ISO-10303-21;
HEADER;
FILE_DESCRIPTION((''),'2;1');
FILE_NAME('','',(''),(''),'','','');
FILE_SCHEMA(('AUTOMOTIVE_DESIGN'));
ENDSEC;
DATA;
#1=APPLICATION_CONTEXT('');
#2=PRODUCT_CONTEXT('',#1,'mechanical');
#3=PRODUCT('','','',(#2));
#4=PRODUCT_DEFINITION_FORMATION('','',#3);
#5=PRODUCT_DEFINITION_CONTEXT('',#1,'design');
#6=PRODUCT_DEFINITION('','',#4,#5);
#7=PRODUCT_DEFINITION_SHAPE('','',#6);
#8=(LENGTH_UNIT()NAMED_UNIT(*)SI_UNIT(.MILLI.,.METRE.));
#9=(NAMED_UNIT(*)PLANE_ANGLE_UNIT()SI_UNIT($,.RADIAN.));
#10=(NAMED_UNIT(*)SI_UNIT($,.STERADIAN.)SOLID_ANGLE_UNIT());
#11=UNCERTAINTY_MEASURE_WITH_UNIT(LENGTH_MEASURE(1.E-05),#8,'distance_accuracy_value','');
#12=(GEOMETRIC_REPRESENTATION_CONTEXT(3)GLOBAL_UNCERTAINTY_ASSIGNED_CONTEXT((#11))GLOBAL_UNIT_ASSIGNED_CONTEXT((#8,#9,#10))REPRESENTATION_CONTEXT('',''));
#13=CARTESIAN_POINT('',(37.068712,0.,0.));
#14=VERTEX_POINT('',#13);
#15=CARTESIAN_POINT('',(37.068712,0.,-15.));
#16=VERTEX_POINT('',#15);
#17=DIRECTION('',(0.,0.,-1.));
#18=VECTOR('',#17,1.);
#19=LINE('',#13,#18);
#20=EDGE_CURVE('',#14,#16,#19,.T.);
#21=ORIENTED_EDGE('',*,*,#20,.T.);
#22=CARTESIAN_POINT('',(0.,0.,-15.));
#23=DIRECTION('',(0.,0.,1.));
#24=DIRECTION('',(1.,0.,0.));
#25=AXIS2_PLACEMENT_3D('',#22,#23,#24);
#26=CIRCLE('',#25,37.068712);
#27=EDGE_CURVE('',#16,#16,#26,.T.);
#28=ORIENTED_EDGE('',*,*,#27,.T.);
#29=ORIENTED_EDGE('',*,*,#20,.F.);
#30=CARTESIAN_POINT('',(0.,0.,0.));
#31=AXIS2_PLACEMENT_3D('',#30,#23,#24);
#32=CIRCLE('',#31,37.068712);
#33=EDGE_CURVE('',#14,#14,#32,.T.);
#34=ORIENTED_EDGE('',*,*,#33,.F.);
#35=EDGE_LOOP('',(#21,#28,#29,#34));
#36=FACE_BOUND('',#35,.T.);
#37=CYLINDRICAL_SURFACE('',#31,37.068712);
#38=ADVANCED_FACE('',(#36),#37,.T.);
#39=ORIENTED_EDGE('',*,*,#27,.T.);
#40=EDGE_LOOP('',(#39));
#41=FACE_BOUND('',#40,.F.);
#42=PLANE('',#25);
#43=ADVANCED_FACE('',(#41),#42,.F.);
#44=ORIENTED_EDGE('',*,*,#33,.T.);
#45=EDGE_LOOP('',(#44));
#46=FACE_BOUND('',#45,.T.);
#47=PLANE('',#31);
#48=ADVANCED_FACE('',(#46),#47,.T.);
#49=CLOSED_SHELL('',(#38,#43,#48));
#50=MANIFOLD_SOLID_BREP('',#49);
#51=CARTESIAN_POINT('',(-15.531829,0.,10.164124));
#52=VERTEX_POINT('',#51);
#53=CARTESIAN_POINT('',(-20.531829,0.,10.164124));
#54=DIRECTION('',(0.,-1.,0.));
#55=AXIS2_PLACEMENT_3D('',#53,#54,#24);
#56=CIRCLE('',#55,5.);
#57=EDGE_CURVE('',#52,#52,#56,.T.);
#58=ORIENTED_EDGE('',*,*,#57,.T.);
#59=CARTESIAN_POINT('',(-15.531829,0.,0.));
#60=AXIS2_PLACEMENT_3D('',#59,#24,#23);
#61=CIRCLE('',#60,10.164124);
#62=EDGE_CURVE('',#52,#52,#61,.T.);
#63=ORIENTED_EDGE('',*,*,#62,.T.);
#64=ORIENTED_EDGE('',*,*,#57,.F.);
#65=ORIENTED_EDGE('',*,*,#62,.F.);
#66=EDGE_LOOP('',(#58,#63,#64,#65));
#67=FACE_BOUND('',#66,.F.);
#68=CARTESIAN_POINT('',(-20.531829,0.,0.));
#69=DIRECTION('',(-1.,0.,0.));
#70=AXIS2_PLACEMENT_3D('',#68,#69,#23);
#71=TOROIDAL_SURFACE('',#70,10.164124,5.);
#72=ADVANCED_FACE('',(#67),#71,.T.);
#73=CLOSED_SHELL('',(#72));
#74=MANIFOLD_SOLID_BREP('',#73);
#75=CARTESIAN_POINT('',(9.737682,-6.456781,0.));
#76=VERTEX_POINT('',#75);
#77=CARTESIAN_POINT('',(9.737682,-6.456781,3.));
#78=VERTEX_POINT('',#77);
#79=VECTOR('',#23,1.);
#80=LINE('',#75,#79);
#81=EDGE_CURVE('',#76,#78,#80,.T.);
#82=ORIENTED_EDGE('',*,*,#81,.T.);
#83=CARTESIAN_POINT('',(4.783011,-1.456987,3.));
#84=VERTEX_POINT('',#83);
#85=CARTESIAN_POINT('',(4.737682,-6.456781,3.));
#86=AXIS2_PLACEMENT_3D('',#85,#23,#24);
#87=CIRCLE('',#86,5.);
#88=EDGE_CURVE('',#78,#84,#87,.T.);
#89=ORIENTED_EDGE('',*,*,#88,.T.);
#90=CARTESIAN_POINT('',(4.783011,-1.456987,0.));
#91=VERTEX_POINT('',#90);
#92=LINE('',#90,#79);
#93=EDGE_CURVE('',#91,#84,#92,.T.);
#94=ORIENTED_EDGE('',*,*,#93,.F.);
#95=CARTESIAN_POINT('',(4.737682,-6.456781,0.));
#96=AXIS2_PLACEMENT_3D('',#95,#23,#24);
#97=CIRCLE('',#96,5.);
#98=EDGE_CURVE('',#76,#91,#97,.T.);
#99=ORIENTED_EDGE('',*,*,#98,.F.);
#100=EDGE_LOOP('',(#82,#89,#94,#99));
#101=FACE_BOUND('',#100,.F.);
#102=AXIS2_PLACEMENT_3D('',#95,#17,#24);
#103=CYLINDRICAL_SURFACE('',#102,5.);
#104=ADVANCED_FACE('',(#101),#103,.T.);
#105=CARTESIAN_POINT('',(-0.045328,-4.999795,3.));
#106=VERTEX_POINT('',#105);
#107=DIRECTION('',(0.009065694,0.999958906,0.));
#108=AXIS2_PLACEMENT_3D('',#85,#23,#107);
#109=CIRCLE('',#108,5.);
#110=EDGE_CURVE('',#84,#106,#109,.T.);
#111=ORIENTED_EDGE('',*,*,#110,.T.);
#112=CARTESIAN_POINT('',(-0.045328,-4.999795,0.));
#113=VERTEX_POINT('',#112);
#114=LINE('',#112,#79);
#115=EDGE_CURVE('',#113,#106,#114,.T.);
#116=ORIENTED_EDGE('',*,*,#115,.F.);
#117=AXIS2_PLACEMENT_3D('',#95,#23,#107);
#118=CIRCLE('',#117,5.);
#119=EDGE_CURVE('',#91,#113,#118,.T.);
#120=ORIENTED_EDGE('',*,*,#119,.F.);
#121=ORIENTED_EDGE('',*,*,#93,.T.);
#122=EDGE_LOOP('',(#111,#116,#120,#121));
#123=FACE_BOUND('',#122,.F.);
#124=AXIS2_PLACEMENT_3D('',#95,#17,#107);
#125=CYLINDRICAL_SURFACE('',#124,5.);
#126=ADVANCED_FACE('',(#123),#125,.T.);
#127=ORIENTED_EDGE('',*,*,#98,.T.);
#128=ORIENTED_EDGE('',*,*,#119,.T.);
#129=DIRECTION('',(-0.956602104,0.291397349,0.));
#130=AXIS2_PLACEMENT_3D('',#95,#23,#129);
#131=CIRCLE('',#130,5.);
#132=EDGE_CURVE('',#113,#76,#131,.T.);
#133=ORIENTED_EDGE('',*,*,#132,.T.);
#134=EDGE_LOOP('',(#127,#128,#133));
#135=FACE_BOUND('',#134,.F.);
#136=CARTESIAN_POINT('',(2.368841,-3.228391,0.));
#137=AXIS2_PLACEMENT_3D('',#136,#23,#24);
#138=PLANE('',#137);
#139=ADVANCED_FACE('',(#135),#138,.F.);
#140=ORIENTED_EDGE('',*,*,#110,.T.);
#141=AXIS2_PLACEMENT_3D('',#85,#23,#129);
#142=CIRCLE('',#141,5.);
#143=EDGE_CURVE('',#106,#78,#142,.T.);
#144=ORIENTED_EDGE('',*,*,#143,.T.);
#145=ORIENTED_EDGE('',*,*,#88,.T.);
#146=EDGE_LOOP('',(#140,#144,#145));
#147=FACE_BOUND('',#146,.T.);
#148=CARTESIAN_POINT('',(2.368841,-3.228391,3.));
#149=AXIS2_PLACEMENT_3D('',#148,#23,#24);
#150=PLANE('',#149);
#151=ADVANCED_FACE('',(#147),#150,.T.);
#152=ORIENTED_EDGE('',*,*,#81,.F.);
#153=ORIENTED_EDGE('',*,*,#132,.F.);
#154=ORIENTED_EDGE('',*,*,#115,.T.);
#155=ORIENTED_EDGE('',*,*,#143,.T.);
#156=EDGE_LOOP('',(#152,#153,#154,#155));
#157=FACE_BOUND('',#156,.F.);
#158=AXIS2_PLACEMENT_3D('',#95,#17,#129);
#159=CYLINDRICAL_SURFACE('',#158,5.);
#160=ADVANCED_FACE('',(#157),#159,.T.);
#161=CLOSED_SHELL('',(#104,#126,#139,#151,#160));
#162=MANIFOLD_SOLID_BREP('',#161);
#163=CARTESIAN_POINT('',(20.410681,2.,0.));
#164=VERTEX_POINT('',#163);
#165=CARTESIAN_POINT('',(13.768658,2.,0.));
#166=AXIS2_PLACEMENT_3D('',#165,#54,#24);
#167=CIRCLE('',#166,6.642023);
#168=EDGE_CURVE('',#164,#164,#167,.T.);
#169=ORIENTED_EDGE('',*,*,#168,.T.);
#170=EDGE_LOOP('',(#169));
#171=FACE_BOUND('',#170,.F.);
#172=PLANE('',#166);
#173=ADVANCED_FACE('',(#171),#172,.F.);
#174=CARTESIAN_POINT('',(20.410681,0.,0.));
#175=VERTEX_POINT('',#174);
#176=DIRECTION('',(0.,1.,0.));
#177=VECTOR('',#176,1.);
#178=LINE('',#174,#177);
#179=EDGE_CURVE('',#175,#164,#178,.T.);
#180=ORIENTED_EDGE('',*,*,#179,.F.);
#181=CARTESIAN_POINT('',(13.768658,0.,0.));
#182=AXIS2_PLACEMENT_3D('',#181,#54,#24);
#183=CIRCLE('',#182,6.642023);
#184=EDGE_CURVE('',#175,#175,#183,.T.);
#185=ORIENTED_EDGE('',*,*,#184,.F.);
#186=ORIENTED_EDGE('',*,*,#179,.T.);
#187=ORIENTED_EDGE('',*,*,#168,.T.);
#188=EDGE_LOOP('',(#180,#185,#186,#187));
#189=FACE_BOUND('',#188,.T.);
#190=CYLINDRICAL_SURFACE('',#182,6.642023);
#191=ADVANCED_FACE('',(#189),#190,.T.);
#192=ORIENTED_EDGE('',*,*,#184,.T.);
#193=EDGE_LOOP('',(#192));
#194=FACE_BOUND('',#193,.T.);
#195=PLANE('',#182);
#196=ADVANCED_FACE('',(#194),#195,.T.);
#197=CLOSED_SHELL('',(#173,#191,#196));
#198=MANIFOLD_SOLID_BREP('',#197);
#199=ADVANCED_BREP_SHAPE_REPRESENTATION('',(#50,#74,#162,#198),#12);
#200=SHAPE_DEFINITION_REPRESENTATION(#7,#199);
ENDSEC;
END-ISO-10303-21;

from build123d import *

# Parameters (mm, degrees)
F0_R     = 5
F3_DEPTH = 3
F5_R     = 6.6420227727
F6_DEPTH = 2
F4_R     = 37.0687121763
F7_DEPTH = 15


with BuildPart() as f1:
    # F0 (on Front) → F1 (revolve)
    with BuildSketch(Plane.XZ):
        with Locations((-20.5318288077, 10.1641240577)):
            Circle(F0_R)
    revolve(axis=Axis((-18.9214901471, 0, 0), (1, 0, 0)))


with BuildPart() as f3:
    # F2 (on Top) → F3 (new body)
    with BuildSketch(Plane.XY):
        with BuildLine():
            ThreePointArc((4.7830105194, -1.4569867436), (1.7797639387, -2.4255630386), (-0.0453284697, -4.9997945288))
            ThreePointArc((-0.0453284697, -4.9997945288), (2.9579181111, -4.0312182338), (4.7830105194, -1.4569867436))
        make_face()
        with BuildLine():
            ThreePointArc((4.7830105194, -1.4569867436), (2.9579181111, -4.0312182338), (-0.0453284697, -4.9997945288))
            ThreePointArc((-0.0453284697, -4.9997945288), (4.0011539095, -11.4022363877), (9.7376820497, -6.4567812723))
            ThreePointArc((9.7376820497, -6.4567812723), (8.2892058318, -2.9373098879), (4.7830105194, -1.4569867436))
        make_face()
    extrude(amount=F3_DEPTH)


with BuildPart() as f6:
    # F5 (on Front) → F6 (new body)
    with BuildSketch(Plane.XZ):
        with Locations((13.768658042, 0)):
            Circle(F5_R)
    extrude(amount=-F6_DEPTH)


with BuildPart() as f7:
    # F4 (on Top) → F7 (new body)
    with BuildSketch(Plane.XY):
        Circle(F4_R)
    extrude(amount=-F7_DEPTH)


solid = Compound([f1.part, f3.part, f6.part, f7.part])
